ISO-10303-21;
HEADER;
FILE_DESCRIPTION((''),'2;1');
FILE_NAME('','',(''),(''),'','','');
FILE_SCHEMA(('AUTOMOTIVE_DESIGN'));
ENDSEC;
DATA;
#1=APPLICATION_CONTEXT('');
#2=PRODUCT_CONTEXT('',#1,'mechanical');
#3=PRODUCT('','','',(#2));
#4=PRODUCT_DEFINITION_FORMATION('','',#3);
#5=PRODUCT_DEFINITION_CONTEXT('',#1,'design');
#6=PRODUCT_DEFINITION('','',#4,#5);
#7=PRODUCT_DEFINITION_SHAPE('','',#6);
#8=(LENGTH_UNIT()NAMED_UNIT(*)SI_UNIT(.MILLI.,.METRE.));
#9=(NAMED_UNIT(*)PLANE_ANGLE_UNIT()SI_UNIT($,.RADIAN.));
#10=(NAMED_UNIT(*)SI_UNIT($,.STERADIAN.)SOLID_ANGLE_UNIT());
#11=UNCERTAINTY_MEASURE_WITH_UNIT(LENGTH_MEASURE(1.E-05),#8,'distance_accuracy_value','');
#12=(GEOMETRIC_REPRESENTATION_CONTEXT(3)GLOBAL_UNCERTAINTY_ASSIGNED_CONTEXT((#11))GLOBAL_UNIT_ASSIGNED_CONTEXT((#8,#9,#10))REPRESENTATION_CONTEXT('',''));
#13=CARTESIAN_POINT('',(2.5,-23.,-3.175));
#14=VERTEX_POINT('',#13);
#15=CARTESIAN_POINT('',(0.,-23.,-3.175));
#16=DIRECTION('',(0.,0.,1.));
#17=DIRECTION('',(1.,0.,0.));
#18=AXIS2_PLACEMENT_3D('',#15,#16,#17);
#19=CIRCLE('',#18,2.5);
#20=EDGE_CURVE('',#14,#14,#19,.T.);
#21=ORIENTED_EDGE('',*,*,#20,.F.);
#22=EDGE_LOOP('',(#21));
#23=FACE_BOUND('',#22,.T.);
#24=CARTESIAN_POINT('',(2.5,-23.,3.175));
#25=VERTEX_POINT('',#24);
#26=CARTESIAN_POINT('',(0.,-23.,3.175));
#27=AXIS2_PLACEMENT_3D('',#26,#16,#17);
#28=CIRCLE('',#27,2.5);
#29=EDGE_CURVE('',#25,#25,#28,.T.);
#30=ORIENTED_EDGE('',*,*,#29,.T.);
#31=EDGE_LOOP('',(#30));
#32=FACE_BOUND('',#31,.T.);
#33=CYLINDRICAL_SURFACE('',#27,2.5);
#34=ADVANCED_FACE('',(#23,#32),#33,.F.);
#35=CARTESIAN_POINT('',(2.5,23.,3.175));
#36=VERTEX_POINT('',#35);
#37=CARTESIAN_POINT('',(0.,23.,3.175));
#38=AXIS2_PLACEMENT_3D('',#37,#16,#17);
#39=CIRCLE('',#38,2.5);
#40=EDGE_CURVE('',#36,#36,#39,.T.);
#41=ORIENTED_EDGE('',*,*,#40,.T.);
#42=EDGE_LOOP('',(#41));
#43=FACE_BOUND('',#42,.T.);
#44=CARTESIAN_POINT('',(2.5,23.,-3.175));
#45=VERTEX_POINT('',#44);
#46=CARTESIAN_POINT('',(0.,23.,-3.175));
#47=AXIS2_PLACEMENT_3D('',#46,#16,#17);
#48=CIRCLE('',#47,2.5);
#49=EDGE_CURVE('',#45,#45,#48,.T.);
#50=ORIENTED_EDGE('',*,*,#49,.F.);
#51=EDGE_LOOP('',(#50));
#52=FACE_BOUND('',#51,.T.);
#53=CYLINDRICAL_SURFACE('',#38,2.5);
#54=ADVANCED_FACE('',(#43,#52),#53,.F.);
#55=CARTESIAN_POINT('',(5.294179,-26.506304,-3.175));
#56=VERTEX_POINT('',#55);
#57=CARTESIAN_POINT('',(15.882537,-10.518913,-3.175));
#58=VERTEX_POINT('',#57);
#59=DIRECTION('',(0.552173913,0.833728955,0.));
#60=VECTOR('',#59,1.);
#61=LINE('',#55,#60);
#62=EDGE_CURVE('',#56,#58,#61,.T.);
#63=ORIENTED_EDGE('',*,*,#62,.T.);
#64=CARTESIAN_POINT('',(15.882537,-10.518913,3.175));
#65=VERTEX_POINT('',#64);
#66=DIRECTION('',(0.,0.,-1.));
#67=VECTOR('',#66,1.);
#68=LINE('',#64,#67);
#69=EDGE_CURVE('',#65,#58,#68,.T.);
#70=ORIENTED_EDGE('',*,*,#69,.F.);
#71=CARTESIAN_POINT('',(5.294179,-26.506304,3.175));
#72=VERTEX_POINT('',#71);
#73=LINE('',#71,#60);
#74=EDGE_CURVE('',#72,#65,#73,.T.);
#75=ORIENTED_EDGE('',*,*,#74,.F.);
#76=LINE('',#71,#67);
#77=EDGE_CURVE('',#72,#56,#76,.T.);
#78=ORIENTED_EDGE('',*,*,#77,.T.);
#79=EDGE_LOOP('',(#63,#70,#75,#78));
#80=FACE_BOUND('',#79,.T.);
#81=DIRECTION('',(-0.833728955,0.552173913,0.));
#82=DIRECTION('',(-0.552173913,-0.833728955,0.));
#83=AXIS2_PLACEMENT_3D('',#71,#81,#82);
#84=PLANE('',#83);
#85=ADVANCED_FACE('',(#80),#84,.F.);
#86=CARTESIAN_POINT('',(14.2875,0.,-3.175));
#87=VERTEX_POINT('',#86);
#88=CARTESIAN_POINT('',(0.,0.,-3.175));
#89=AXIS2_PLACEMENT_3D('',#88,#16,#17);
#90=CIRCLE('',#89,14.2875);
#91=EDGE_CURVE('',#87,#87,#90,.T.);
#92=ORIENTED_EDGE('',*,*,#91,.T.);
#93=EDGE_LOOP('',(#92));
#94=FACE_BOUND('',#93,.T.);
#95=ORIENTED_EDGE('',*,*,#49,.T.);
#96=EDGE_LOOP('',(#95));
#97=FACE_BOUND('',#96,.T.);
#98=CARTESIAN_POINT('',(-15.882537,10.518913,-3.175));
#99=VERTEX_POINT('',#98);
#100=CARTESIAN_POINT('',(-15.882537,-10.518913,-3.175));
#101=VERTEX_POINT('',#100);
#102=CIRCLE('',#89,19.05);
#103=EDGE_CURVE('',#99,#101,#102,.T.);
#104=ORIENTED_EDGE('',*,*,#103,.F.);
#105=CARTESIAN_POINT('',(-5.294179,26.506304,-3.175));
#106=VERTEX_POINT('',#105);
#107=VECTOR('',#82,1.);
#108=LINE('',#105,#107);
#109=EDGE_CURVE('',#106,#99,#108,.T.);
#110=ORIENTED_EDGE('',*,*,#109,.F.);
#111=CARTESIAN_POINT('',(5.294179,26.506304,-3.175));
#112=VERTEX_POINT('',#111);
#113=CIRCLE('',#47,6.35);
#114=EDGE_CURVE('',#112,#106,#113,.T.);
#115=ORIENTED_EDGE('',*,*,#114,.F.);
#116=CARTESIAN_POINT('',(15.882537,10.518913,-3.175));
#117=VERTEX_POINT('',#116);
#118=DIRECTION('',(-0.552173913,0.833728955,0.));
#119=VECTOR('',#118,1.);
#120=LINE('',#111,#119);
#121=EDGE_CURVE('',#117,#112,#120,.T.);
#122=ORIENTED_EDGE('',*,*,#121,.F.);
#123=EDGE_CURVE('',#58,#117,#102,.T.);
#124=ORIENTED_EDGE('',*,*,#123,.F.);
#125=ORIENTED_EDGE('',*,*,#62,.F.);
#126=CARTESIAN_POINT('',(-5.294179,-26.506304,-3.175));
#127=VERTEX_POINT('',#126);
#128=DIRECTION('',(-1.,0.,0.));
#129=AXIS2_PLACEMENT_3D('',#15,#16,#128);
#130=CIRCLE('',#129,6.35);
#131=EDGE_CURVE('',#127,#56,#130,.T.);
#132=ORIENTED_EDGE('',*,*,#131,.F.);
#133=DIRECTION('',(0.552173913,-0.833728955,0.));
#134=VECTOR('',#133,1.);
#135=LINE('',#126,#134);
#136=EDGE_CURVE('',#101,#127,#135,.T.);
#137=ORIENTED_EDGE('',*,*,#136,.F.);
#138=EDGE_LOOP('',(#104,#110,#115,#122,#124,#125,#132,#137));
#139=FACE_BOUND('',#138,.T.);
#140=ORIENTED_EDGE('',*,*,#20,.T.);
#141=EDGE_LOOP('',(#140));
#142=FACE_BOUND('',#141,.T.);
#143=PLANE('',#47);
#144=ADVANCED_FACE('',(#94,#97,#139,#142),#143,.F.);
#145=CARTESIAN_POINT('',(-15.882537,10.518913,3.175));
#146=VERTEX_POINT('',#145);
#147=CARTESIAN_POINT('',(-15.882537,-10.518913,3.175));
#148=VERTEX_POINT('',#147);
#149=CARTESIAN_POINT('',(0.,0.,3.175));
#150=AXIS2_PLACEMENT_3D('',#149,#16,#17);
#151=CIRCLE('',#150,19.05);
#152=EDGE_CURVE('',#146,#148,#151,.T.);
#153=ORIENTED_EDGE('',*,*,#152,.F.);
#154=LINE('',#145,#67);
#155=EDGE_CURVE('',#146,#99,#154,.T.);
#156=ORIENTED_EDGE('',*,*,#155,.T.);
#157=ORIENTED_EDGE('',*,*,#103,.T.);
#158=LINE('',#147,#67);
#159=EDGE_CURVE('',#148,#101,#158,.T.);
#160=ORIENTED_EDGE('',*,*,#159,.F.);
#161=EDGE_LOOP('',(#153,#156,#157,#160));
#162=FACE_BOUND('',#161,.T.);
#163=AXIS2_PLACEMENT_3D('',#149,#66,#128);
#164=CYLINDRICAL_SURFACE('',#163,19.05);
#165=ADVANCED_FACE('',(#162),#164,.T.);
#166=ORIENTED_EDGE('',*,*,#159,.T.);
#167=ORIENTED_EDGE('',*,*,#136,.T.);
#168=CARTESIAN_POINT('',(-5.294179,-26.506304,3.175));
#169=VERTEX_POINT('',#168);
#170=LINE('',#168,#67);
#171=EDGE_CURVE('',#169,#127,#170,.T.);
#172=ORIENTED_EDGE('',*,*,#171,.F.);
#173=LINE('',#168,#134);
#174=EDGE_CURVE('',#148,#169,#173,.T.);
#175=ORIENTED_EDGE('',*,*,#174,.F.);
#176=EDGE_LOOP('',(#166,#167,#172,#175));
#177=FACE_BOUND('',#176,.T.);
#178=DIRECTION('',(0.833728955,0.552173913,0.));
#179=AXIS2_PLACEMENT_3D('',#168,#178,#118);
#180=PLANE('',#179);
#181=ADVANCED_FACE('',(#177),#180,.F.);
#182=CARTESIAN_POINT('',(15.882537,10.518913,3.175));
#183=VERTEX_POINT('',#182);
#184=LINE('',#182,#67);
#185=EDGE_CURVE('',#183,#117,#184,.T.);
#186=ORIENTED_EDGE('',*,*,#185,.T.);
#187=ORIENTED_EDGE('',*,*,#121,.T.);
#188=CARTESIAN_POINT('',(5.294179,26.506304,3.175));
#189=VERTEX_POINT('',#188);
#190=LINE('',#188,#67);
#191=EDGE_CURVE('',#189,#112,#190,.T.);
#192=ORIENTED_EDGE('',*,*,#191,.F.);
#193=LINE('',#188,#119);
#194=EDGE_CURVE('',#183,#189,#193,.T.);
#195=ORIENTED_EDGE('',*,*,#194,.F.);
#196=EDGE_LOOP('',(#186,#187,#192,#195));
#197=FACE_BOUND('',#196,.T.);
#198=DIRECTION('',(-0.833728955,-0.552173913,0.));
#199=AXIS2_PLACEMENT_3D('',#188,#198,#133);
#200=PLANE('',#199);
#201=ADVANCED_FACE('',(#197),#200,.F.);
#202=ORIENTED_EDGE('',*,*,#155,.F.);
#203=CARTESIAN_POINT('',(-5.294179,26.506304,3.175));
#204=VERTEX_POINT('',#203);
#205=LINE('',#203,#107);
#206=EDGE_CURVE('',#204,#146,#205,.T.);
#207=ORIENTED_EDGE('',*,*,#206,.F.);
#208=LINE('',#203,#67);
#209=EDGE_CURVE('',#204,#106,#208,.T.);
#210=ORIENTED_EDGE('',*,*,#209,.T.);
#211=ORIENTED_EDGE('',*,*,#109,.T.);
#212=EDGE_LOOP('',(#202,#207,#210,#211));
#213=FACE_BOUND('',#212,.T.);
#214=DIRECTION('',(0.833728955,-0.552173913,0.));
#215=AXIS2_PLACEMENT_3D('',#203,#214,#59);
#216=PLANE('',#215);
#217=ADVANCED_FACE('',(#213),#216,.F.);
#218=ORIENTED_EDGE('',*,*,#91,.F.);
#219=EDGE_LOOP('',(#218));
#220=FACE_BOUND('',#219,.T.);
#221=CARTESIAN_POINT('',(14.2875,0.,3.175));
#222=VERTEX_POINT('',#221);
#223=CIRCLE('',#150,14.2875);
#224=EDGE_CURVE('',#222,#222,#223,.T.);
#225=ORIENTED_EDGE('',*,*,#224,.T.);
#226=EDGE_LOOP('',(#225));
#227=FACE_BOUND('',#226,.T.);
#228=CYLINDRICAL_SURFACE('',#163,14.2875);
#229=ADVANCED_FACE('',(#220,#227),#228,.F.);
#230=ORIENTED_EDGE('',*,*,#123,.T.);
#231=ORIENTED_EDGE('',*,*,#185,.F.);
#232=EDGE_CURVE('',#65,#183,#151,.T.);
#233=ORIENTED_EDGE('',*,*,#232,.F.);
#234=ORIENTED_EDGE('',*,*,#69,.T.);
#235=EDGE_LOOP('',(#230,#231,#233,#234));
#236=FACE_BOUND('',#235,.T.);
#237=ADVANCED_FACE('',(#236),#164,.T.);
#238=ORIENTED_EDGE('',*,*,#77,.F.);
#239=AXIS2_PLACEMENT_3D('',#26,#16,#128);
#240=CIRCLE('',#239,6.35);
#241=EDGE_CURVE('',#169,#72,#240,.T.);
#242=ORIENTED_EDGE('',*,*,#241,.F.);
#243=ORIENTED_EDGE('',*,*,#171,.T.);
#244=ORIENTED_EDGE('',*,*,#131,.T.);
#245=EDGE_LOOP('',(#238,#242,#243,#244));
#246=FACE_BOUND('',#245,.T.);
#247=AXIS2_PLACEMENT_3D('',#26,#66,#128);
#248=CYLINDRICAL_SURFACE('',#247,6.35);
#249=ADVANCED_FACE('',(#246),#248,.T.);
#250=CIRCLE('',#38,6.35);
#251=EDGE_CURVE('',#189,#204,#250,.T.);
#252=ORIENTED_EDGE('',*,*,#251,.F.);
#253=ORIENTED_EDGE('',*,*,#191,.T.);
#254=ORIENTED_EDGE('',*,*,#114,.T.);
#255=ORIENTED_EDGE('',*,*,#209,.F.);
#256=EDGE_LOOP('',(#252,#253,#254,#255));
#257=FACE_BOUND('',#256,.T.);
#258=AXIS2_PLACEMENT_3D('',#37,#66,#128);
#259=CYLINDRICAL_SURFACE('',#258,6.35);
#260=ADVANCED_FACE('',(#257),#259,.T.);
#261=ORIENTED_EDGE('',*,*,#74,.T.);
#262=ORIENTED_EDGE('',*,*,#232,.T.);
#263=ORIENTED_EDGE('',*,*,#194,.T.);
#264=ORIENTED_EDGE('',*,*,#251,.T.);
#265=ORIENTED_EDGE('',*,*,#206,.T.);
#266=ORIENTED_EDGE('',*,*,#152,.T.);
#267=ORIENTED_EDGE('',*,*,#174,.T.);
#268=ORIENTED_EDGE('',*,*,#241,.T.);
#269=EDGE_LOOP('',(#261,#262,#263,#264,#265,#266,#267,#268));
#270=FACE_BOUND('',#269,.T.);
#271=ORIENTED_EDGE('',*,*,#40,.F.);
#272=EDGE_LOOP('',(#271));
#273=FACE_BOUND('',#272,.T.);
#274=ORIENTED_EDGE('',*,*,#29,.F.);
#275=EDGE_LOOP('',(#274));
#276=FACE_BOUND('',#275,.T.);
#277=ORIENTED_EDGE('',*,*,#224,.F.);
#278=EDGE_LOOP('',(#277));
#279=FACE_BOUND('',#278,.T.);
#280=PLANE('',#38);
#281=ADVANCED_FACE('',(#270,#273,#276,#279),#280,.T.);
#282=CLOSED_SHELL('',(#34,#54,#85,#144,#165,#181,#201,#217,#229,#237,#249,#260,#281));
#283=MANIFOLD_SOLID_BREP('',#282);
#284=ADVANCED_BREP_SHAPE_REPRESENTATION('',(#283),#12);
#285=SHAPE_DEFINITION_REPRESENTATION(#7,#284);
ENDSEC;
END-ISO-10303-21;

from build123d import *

# Parameters (mm, degrees)
SKETCH1_R             = 14.2875
BOSS_EXTRUDE1_DEPTH   = 3.175
F_5_0MM_DOWEL_HOLE1_D = 5


with BuildPart() as part:
    # Sketch1 → Boss-Extrude1 (new, symmetric)
    with BuildSketch(Plane.XY):
        with BuildLine():
            Line((-5.294178862, 26.506304348), (-15.882536585, 10.518913043))
            ThreePointArc((-15.882536585, 10.518913043), (-19.05, 0), (-15.882536585, -10.518913043))
            Line((-15.882536585, -10.518913043), (-5.294178862, -26.506304348))
            ThreePointArc((-5.294178862, -26.506304348), (0, -29.35), (5.294178862, -26.506304348))
            Line((5.294178862, -26.506304348), (15.882536585, -10.518913043))
            ThreePointArc((15.882536585, -10.518913043), (19.05, 0), (15.882536585, 10.518913043))
            Line((15.882536585, 10.518913043), (5.294178862, 26.506304348))
            ThreePointArc((5.294178862, 26.506304348), (0, 29.35), (-5.294178862, 26.506304348))
        make_face()
        Circle(SKETCH1_R, mode=Mode.SUBTRACT)
    extrude(amount=BOSS_EXTRUDE1_DEPTH, both=True)

    # Ø5.0mm Dowel Hole1 (through all)
    with Locations(Plane.XY.offset(3.175)):
        with Locations((0, 23), (0, -23)):
            Hole(F_5_0MM_DOWEL_HOLE1_D / 2)


solid = part.part
